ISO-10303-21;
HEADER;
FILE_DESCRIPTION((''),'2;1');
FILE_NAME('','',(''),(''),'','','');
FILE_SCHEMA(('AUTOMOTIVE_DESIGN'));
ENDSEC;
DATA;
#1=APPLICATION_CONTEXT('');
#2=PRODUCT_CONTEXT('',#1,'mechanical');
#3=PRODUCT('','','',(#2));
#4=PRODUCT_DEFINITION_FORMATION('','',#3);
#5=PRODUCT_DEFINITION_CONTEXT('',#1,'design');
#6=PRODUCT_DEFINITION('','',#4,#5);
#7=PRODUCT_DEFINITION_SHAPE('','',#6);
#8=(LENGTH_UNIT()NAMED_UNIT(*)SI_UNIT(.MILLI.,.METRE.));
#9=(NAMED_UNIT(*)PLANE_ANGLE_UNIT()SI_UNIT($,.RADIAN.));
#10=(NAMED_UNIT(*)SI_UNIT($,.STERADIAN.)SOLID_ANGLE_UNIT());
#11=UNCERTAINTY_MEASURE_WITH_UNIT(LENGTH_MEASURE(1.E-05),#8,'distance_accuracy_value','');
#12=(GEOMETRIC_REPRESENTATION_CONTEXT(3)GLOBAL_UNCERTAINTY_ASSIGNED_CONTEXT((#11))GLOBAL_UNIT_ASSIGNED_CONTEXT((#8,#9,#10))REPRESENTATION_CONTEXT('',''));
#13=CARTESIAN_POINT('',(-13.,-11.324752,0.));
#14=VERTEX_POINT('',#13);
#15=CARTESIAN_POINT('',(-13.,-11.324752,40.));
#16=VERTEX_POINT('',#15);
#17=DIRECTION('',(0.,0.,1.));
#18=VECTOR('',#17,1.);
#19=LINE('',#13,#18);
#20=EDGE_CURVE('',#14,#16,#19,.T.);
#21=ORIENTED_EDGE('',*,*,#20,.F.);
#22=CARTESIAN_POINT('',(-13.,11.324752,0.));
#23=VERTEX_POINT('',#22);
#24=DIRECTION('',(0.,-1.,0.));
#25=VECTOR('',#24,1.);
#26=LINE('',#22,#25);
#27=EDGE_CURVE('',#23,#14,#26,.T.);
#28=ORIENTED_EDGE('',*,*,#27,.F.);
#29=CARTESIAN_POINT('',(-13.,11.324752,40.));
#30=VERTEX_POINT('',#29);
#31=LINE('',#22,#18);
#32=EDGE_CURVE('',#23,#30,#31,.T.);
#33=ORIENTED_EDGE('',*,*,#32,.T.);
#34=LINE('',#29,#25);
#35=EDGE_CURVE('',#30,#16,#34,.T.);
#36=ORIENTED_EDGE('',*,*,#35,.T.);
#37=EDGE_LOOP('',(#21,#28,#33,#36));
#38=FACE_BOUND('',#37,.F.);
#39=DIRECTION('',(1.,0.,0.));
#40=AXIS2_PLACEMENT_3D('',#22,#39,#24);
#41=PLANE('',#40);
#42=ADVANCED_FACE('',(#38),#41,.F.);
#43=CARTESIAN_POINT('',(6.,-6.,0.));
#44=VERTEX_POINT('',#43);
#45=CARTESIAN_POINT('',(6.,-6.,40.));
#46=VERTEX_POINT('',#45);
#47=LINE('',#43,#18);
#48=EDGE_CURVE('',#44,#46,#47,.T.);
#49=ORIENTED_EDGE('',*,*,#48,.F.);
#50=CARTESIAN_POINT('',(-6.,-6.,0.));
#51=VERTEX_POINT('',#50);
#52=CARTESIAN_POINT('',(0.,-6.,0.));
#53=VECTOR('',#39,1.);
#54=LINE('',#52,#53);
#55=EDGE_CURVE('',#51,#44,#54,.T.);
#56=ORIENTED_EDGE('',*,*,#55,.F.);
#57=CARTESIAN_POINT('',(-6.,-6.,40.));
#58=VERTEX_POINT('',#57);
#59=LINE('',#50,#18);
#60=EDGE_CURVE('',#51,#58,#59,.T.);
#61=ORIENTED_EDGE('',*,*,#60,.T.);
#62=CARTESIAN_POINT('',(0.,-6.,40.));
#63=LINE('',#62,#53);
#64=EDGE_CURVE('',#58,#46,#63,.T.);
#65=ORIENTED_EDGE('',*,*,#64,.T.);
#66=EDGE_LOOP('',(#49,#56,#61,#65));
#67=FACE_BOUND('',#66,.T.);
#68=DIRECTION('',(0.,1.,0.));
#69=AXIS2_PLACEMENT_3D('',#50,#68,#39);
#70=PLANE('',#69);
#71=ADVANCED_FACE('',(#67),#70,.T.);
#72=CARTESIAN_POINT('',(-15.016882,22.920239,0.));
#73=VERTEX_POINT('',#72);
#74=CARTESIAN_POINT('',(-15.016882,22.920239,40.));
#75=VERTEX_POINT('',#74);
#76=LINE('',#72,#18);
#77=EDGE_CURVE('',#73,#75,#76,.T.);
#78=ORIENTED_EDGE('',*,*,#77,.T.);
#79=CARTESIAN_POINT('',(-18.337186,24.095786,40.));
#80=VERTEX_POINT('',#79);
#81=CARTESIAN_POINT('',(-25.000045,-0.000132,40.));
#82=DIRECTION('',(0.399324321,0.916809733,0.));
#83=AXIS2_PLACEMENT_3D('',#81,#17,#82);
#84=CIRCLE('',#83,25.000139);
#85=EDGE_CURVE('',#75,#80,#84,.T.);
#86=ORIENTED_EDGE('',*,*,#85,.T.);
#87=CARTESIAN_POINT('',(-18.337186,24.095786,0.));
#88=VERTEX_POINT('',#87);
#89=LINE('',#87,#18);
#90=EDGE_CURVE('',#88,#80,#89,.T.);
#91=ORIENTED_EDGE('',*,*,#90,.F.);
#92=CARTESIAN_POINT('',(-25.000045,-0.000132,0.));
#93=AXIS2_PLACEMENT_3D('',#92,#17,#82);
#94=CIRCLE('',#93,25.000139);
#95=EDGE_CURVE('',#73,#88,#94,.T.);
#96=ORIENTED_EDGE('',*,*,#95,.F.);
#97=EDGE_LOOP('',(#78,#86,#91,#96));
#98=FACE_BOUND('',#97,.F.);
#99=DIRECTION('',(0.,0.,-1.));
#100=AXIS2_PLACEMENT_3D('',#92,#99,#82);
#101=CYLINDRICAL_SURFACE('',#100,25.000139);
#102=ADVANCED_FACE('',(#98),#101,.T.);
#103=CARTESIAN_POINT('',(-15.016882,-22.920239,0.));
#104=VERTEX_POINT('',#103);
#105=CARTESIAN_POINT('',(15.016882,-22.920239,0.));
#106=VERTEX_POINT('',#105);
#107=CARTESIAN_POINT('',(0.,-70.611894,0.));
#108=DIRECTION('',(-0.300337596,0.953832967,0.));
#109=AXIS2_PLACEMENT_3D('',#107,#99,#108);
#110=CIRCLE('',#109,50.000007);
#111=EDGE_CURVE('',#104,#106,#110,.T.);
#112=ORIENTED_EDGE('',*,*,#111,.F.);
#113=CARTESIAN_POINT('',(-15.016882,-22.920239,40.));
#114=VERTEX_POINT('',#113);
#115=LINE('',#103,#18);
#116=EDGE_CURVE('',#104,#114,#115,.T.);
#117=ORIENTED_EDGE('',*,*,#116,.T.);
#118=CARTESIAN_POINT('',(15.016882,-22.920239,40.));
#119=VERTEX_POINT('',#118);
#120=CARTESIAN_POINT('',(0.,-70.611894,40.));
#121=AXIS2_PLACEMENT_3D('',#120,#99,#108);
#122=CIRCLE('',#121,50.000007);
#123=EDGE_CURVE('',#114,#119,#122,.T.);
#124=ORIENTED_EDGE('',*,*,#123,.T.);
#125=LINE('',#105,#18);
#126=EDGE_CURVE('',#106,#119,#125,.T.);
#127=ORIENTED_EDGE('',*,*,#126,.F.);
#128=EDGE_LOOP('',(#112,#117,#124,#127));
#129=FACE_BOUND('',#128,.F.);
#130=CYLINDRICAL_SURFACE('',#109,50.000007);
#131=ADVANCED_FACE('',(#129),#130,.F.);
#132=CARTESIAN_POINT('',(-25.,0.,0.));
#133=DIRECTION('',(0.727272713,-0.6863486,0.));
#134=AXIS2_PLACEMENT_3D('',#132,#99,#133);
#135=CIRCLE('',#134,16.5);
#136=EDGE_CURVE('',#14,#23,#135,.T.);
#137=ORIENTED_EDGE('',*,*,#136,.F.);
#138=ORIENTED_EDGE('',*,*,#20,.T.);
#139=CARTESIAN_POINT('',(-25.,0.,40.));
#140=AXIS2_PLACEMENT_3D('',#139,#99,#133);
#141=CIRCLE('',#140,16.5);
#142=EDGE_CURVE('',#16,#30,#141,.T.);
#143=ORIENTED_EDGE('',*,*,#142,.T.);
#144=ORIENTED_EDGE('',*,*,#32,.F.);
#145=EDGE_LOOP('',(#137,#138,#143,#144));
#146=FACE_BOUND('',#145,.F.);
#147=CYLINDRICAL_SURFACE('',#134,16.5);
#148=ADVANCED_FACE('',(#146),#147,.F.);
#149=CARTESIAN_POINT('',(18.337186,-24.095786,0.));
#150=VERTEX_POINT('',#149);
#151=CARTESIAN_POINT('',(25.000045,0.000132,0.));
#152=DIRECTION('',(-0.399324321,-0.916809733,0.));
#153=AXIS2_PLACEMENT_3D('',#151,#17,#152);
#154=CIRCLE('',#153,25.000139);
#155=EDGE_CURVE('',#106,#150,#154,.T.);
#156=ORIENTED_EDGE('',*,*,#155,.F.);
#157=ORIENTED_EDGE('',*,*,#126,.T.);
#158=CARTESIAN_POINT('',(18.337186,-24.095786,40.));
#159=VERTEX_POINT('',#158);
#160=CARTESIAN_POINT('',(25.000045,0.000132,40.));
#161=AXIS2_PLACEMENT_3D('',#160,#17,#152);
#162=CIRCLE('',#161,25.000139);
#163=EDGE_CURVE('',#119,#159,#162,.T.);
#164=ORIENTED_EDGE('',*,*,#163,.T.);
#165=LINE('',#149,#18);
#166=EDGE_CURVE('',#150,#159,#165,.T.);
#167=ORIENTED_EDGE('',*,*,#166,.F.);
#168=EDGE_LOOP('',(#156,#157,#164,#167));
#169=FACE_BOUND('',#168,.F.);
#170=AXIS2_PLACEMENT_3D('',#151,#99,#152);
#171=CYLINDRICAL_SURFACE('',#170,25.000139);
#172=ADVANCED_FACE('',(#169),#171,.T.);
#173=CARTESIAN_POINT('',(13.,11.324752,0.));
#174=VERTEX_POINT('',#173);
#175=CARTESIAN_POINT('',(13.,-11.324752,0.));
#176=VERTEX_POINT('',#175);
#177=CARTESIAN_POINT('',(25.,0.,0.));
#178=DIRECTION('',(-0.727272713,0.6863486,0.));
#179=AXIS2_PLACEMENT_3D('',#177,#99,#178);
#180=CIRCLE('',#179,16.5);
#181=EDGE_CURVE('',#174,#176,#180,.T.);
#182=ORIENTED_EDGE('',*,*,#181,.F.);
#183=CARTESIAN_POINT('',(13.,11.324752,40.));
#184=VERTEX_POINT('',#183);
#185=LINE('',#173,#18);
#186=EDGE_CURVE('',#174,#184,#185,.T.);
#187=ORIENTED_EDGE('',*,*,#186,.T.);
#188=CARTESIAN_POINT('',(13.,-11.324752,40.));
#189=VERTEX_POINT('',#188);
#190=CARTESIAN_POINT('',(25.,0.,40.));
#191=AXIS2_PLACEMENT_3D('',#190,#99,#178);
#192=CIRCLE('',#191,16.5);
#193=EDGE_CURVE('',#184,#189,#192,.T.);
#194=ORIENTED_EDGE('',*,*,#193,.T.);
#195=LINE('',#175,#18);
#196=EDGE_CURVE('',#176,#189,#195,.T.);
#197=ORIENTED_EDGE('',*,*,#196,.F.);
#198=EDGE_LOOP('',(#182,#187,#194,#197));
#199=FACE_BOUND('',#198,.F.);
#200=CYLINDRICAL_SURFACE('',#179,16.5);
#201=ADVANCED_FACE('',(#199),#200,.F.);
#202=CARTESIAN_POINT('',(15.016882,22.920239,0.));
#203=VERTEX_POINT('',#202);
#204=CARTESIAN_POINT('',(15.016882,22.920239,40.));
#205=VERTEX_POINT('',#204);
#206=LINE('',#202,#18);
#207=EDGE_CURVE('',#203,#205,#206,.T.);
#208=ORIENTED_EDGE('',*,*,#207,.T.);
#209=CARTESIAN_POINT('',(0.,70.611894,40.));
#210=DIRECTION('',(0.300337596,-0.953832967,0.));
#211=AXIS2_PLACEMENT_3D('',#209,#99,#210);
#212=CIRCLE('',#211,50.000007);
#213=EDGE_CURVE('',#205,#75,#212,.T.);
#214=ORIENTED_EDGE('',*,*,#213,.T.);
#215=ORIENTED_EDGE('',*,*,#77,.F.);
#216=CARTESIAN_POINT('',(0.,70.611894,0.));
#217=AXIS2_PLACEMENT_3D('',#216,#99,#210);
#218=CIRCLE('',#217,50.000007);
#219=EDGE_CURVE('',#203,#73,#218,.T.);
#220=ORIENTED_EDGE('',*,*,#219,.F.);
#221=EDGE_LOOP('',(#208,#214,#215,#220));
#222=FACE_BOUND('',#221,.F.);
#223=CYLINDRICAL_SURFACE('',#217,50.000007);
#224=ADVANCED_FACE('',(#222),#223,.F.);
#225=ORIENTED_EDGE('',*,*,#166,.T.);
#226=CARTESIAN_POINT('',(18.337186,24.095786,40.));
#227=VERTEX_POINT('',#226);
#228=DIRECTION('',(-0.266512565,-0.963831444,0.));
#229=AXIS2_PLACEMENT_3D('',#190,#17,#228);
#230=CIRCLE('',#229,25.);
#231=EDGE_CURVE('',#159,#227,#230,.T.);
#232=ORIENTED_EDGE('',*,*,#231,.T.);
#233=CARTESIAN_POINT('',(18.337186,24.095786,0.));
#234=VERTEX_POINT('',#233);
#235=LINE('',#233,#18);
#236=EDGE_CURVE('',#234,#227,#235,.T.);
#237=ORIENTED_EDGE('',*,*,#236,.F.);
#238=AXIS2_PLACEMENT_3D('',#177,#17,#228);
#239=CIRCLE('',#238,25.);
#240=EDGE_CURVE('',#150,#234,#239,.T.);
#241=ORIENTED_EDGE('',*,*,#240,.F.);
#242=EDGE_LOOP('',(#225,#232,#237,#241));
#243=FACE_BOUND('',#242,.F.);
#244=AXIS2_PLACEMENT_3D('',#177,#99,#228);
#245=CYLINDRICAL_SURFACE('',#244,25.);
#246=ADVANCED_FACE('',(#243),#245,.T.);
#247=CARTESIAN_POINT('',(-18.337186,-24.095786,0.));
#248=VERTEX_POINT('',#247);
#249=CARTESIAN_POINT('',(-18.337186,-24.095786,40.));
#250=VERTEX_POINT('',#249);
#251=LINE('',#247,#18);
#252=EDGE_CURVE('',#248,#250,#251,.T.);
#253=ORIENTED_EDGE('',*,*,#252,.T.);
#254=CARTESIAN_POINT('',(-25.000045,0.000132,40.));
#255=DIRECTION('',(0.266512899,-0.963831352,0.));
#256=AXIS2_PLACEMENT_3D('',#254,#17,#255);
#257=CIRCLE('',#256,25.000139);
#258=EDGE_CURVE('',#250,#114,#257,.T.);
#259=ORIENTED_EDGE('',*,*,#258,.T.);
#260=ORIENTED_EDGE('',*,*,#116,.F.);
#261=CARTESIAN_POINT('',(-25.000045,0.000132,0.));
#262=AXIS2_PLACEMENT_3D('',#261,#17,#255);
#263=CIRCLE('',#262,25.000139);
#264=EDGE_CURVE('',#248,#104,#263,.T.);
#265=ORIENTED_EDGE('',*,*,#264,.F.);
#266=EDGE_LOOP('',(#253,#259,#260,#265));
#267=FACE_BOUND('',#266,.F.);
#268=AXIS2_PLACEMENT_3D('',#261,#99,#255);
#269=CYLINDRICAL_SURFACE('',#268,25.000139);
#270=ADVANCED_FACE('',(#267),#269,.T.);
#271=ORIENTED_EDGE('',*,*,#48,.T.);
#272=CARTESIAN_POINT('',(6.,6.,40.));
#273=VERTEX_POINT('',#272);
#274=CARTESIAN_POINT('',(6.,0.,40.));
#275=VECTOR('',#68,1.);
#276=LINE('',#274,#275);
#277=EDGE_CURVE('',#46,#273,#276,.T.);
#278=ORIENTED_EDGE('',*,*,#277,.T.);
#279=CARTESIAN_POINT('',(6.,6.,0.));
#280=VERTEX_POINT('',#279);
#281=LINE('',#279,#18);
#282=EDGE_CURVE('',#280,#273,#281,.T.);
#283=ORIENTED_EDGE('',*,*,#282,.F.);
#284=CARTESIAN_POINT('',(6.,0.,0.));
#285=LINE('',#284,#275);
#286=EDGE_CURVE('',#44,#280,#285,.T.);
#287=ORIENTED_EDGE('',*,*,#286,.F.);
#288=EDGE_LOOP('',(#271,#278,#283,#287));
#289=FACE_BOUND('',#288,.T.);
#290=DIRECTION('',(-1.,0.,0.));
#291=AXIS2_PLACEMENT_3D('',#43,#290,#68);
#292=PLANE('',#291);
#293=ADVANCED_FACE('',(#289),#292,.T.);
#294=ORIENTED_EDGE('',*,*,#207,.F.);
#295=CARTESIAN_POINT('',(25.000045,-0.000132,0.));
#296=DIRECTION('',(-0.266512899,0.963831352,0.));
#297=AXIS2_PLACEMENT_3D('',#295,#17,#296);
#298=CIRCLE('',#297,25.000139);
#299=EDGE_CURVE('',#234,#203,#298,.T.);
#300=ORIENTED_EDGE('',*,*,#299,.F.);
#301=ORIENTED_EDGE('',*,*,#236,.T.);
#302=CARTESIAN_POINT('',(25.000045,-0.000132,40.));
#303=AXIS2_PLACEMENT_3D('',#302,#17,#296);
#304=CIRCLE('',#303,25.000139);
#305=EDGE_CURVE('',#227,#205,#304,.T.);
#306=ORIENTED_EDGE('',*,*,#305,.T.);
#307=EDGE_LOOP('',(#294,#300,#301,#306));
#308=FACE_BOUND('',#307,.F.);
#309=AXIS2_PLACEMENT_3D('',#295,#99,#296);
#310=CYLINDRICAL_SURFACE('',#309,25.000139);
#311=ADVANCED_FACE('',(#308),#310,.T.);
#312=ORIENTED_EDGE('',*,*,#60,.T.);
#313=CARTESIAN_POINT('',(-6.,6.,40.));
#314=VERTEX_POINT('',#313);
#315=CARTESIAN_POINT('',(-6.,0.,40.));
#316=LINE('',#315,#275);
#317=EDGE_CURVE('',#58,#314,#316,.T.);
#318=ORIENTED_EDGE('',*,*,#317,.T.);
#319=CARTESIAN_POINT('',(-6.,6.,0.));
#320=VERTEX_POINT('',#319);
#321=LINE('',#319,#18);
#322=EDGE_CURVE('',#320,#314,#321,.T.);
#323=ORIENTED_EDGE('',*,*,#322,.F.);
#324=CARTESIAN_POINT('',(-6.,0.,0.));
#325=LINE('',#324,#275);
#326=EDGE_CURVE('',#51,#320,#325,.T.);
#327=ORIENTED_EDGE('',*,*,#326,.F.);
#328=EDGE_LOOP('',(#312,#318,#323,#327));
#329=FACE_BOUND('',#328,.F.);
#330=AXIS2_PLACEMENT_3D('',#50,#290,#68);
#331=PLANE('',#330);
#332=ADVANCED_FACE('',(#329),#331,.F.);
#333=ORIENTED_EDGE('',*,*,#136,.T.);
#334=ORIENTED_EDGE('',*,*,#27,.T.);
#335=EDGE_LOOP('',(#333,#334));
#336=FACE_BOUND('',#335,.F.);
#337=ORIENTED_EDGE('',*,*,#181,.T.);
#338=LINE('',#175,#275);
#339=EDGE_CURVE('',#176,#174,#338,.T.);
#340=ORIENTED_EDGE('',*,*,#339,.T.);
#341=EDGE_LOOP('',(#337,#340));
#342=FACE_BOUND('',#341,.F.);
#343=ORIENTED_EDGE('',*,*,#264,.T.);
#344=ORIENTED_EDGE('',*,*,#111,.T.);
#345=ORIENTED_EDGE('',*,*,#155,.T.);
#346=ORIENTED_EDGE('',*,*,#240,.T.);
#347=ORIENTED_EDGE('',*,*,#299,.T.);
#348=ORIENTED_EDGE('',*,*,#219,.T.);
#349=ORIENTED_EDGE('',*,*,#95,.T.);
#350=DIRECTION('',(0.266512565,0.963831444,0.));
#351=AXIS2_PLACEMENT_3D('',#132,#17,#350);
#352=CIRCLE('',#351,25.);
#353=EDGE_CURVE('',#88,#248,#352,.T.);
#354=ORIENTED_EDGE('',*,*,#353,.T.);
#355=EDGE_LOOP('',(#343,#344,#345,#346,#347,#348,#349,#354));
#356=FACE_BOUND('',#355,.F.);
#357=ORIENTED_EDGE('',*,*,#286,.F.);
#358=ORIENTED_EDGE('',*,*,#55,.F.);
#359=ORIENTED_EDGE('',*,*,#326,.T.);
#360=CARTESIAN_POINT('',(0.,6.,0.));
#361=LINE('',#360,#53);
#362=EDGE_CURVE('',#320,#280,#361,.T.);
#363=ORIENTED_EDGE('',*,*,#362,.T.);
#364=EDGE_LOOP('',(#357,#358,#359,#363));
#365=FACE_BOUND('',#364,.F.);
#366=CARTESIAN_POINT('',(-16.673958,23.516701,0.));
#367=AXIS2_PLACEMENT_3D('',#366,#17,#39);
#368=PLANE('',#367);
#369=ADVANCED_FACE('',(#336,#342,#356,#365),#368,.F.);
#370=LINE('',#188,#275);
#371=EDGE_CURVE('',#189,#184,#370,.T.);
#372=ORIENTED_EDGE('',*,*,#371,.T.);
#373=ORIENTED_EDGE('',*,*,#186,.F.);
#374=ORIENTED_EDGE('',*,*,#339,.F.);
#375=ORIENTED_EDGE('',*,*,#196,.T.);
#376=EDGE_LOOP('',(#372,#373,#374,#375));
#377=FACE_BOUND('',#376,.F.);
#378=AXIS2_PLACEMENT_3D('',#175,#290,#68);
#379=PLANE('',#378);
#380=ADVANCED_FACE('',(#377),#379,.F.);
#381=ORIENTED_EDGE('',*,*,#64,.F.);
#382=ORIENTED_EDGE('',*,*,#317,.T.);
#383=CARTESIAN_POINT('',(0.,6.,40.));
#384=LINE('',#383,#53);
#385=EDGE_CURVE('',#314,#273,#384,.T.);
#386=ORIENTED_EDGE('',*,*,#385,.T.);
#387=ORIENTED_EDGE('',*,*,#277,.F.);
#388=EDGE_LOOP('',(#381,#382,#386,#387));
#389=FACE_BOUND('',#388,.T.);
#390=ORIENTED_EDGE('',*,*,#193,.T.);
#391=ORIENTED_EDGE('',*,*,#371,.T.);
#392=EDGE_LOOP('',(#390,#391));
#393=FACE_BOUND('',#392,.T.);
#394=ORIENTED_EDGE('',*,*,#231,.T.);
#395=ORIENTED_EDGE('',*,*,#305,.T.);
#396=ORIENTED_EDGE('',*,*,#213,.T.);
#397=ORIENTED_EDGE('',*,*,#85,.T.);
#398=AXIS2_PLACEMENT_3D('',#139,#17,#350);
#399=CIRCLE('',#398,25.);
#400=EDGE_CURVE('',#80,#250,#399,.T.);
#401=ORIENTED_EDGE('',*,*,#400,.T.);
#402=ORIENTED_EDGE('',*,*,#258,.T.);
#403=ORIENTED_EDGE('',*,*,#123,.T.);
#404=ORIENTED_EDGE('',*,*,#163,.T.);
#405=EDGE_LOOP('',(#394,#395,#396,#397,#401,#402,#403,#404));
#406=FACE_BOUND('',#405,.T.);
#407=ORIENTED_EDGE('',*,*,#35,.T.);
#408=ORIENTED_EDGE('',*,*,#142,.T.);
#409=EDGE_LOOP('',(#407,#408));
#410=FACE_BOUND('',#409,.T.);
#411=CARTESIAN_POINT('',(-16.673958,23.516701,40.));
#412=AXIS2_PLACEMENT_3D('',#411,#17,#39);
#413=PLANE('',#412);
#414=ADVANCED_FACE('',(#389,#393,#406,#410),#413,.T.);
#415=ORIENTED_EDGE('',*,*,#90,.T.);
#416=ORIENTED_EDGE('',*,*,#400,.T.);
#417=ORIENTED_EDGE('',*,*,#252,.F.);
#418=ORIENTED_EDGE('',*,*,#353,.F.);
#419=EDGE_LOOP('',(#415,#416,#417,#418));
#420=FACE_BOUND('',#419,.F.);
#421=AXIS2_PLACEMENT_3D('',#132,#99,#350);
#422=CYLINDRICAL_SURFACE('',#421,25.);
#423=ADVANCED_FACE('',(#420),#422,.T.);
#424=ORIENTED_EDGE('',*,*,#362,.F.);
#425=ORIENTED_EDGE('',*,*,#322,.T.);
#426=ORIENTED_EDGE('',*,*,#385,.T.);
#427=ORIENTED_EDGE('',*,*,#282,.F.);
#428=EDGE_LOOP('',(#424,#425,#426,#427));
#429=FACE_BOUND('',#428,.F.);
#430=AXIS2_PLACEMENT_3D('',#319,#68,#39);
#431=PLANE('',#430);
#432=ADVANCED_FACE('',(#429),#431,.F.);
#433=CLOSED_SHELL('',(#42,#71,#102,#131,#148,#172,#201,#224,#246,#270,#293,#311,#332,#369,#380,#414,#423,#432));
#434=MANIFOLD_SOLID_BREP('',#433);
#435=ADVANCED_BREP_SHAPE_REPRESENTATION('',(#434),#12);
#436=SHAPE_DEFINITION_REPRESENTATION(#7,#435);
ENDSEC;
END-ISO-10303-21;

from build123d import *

# Parameters (mm, degrees)
F0_W     = 12
F0_H     = 12
F1_DEPTH = 40


with BuildPart() as f1:
    # F0 (on Top) → F1 (new body)
    with BuildSketch(Plane.XY):
        with BuildLine():
            ThreePointArc((-18.337186, 24.095786), (-16.687389, 23.478766), (-15.016882, 22.920239))
            ThreePointArc((-15.016882, 22.920239), (-16.656306, 23.56656), (-18.337186, 24.095786))
        make_face()
        with BuildLine():
            ThreePointArc((15.016882, 22.920239), (0, 20.611887), (-15.016882, 22.920239))
            ThreePointArc((-15.016882, 22.920239), (-16.687389, 23.478766), (-18.337186, 24.095786))
            ThreePointArc((-18.337186, 24.095786), (-50, 0), (-18.337186, -24.095786))
            ThreePointArc((-18.337186, -24.095786), (-16.687389, -23.478766), (-15.016882, -22.920239))
            ThreePointArc((-15.016882, -22.920239), (0, -20.611887), (15.016882, -22.920239))
            ThreePointArc((15.016882, -22.920239), (16.687389, -23.478766), (18.337186, -24.095786))
            ThreePointArc((18.337186, -24.095786), (50, 0), (18.337186, 24.095786))
            ThreePointArc((18.337186, 24.095786), (16.687389, 23.478766), (15.016882, 22.920239))
        make_face()
        with BuildLine():
            ThreePointArc((-13, -11.324752), (-41.5, 0), (-13, 11.324752))
            Line((-13, 11.324752), (-13, -11.324752))
        make_face(mode=Mode.SUBTRACT)
        Rectangle(F0_W, F0_H, mode=Mode.SUBTRACT)
        with BuildLine():
            Line((13, -11.324752), (13, 11.324752))
            ThreePointArc((13, 11.324752), (41.5, 0), (13, -11.324752))
        make_face(mode=Mode.SUBTRACT)
        with BuildLine():
            ThreePointArc((18.337186, 24.095786), (16.656306, 23.56656), (15.016882, 22.920239))
            ThreePointArc((15.016882, 22.920239), (16.687389, 23.478766), (18.337186, 24.095786))
        make_face()
        with BuildLine():
            ThreePointArc((-15.016882, -22.920239), (-16.687389, -23.478766), (-18.337186, -24.095786))
            ThreePointArc((-18.337186, -24.095786), (-16.656306, -23.56656), (-15.016882, -22.920239))
        make_face()
        with BuildLine():
            ThreePointArc((15.016882, -22.920239), (16.656306, -23.56656), (18.337186, -24.095786))
            ThreePointArc((18.337186, -24.095786), (16.687389, -23.478766), (15.016882, -22.920239))
        make_face()
    extrude(amount=F1_DEPTH)


solid = f1.part
